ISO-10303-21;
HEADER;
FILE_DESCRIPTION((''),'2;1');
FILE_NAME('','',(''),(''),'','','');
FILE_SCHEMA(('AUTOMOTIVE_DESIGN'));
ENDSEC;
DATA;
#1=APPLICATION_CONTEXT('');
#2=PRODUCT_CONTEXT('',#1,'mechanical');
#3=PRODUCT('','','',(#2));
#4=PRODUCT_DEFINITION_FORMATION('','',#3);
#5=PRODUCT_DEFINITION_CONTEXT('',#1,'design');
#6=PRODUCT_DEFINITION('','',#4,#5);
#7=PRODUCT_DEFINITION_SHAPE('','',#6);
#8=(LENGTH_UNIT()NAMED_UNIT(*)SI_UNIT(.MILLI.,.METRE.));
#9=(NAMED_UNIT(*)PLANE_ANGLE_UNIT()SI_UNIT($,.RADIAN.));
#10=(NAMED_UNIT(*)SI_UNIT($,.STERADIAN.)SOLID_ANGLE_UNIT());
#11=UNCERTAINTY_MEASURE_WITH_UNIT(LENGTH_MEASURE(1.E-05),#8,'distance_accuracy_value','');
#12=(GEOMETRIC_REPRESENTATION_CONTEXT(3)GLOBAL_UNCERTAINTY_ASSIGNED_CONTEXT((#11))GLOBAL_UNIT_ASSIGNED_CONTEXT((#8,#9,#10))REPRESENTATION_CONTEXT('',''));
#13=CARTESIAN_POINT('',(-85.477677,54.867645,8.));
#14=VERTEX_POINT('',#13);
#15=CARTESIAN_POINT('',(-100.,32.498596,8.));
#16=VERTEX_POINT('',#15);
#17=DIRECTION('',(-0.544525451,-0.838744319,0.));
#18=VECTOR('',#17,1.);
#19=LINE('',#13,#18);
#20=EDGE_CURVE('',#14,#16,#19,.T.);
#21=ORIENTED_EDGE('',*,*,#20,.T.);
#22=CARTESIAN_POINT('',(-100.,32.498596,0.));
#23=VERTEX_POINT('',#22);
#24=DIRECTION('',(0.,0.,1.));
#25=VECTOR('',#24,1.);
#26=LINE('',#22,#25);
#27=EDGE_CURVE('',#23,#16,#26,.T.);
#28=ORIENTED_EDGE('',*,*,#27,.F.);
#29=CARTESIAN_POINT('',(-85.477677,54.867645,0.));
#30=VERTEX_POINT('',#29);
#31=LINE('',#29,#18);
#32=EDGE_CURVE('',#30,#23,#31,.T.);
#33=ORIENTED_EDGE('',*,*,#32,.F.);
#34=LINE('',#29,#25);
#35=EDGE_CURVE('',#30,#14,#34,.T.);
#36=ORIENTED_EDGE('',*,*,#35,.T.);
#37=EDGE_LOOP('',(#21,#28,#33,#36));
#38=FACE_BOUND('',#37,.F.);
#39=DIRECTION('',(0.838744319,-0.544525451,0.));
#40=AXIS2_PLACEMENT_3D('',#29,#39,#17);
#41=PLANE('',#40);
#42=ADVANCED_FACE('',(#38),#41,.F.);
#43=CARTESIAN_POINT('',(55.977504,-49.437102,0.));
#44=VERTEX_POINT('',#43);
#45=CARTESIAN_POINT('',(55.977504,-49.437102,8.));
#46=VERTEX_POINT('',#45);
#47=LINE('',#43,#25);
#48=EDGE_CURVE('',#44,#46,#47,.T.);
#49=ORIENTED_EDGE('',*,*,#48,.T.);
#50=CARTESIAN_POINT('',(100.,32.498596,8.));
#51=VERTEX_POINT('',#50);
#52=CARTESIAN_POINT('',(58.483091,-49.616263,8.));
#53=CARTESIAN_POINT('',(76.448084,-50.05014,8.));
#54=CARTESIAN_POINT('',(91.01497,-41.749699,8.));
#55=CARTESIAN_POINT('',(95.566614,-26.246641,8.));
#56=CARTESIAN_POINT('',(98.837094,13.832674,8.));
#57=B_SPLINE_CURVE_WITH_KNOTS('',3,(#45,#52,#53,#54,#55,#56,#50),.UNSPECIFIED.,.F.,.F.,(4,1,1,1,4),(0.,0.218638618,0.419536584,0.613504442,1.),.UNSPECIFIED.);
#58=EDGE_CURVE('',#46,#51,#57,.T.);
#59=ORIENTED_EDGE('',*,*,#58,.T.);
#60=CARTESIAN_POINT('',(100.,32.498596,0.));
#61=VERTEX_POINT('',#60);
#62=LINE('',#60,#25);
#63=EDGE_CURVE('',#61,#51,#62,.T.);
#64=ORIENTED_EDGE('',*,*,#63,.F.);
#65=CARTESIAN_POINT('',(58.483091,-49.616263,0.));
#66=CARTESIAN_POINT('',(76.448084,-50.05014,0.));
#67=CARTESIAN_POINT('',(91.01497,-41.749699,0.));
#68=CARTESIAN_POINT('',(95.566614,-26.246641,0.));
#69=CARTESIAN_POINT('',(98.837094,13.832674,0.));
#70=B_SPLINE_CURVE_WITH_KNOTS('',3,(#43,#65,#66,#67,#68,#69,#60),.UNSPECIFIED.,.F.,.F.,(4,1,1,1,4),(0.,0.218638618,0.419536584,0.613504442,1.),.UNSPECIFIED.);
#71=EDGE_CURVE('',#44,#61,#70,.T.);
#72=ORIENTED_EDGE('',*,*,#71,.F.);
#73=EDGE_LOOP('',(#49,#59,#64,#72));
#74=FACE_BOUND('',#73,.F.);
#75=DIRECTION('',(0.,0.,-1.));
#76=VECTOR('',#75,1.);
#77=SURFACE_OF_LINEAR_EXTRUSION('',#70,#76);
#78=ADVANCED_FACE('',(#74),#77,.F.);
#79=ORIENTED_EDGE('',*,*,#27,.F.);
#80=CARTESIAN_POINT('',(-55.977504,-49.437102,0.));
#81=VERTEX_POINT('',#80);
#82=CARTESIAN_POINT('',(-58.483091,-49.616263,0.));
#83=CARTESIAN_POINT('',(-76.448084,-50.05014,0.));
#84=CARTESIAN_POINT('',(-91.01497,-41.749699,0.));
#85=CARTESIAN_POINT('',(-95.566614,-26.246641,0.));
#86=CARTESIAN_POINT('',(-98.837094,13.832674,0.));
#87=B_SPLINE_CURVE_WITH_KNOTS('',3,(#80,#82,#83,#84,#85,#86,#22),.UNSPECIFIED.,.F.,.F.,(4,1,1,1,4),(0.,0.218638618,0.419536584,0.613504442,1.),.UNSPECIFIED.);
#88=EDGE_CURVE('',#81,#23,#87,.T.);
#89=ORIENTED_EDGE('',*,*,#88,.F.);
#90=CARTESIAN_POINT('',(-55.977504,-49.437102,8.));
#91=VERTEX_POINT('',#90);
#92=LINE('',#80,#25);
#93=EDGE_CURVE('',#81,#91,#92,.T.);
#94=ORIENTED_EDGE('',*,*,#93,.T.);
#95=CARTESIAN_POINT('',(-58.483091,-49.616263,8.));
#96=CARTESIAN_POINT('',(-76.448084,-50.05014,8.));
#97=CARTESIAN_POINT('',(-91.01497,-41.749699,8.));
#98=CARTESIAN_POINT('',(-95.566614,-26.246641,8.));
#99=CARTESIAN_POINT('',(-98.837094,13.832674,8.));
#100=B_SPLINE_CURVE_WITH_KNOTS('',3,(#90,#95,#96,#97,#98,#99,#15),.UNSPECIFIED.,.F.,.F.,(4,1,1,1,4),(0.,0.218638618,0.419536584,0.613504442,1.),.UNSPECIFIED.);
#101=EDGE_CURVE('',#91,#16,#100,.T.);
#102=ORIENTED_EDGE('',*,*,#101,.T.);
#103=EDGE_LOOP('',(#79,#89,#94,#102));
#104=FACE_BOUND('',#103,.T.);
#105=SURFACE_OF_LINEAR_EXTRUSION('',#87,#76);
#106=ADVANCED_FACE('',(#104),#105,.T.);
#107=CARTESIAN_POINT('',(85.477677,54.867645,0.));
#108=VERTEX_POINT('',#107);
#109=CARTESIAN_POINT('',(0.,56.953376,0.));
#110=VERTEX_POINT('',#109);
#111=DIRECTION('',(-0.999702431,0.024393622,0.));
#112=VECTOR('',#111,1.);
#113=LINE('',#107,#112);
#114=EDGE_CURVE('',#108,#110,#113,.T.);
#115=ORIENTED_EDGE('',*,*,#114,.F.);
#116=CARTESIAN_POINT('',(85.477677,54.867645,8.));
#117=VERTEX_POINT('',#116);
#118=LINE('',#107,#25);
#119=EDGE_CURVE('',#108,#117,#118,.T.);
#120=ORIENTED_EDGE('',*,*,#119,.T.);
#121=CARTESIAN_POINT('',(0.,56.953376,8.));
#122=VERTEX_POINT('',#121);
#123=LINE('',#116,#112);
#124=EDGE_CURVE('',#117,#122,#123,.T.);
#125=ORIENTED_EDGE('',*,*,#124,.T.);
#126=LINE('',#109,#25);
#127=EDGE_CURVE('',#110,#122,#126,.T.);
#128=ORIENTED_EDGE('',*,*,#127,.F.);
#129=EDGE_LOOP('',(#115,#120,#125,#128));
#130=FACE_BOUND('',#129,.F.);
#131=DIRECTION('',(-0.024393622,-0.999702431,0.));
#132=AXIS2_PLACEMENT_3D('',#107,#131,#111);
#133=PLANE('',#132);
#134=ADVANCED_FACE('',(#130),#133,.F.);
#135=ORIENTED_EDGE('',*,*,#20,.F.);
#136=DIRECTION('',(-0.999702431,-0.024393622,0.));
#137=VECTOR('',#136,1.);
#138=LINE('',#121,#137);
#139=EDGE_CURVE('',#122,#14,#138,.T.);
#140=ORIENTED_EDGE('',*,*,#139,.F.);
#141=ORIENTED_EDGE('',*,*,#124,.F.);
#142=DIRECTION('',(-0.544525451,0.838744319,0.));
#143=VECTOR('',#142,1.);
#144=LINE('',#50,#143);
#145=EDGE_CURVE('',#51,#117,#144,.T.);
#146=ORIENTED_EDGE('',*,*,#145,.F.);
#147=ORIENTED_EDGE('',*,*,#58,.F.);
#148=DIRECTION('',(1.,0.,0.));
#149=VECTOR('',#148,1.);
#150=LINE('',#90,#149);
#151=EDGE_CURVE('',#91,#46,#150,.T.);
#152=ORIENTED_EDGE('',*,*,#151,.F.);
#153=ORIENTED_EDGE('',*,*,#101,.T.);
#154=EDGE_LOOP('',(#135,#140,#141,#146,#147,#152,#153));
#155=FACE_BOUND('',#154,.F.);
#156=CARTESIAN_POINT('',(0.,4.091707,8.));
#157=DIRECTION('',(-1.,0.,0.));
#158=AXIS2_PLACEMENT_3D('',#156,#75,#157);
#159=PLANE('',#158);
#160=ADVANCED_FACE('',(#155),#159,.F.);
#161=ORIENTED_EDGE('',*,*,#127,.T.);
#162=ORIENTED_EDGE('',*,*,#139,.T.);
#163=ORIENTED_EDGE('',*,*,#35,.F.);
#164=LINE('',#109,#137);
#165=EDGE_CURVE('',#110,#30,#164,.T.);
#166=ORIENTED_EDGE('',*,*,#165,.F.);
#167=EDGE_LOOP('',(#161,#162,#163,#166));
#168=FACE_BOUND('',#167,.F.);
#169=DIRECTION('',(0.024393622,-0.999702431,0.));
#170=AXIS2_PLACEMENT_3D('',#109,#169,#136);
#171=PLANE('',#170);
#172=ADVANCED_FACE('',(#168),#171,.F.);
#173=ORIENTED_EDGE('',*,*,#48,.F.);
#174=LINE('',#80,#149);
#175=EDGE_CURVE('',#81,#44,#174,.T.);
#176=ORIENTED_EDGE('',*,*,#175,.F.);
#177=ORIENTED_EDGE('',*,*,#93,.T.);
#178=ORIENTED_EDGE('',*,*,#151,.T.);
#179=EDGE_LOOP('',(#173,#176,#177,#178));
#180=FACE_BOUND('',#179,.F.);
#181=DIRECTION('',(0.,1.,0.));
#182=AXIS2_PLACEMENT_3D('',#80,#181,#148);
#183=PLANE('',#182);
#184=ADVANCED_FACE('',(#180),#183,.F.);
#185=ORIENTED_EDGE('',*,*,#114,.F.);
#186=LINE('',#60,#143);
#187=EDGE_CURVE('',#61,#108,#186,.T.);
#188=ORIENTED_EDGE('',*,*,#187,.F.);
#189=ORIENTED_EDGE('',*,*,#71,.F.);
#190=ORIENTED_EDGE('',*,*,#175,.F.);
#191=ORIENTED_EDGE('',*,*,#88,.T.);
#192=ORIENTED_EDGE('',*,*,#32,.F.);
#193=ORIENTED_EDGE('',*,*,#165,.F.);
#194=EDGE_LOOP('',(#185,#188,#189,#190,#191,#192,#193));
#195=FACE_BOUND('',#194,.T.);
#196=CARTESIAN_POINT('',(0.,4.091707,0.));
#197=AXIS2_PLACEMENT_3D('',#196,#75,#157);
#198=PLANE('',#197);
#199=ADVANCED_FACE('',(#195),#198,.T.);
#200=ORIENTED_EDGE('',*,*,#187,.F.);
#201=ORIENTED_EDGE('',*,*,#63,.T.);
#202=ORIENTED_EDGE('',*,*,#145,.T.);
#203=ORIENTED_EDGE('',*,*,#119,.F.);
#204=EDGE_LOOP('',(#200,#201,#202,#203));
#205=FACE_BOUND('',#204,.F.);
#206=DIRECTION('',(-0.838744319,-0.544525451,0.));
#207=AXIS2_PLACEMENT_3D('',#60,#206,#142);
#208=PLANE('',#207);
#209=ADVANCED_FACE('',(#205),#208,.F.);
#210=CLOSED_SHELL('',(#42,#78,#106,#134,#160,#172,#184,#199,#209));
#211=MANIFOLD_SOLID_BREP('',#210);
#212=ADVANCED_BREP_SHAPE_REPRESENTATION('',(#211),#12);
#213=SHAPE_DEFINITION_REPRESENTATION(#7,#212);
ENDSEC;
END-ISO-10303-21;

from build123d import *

# Parameters (mm, degrees)
F1_DEPTH = 8


with BuildPart() as f1:
    # F0 (on Top) → F1 (new body)
    with BuildSketch(Plane.XY):
        with BuildLine():
            add(Edge.make_bspline(
                [(-55.9775038504, -49.4371022909), (-58.4830912872, -49.616262939), (-76.4480843255, -50.0501402472), (-91.0149698881, -41.7496985665), (-95.5666139403, -26.2466409366), (-98.8370941522, 13.8326735183), (-100, 32.4985963037)],
                knots=[0, 0, 0, 0, 0.2186386179, 0.4195365836, 0.613504442, 1, 1, 1, 1], degree=3))
            Line((-55.9775038504, -49.4371022909), (0, -49.4371022909))
            Line((0, -49.4371022909), (55.9775038504, -49.4371022909))
            add(Edge.make_bspline(
                [(55.9775038504, -49.4371022909), (58.4830912872, -49.616262939), (76.4480843255, -50.0501402472), (91.0149698881, -41.7496985665), (95.5666139403, -26.2466409366), (98.8370941522, 13.8326735183), (100, 32.4985963037)],
                knots=[0, 0, 0, 0, 0.2186386179, 0.4195365836, 0.613504442, 1, 1, 1, 1], degree=3))
            Line((100, 32.4985963037), (85.4776766221, 54.8676448254))
            Line((85.4776766221, 54.8676448254), (0, 56.9533756417))
            Line((0, 56.9533756417), (-85.4776766221, 54.8676448254))
            Line((-85.4776766221, 54.8676448254), (-100, 32.4985963037))
        make_face()
    extrude(amount=F1_DEPTH)


solid = f1.part
